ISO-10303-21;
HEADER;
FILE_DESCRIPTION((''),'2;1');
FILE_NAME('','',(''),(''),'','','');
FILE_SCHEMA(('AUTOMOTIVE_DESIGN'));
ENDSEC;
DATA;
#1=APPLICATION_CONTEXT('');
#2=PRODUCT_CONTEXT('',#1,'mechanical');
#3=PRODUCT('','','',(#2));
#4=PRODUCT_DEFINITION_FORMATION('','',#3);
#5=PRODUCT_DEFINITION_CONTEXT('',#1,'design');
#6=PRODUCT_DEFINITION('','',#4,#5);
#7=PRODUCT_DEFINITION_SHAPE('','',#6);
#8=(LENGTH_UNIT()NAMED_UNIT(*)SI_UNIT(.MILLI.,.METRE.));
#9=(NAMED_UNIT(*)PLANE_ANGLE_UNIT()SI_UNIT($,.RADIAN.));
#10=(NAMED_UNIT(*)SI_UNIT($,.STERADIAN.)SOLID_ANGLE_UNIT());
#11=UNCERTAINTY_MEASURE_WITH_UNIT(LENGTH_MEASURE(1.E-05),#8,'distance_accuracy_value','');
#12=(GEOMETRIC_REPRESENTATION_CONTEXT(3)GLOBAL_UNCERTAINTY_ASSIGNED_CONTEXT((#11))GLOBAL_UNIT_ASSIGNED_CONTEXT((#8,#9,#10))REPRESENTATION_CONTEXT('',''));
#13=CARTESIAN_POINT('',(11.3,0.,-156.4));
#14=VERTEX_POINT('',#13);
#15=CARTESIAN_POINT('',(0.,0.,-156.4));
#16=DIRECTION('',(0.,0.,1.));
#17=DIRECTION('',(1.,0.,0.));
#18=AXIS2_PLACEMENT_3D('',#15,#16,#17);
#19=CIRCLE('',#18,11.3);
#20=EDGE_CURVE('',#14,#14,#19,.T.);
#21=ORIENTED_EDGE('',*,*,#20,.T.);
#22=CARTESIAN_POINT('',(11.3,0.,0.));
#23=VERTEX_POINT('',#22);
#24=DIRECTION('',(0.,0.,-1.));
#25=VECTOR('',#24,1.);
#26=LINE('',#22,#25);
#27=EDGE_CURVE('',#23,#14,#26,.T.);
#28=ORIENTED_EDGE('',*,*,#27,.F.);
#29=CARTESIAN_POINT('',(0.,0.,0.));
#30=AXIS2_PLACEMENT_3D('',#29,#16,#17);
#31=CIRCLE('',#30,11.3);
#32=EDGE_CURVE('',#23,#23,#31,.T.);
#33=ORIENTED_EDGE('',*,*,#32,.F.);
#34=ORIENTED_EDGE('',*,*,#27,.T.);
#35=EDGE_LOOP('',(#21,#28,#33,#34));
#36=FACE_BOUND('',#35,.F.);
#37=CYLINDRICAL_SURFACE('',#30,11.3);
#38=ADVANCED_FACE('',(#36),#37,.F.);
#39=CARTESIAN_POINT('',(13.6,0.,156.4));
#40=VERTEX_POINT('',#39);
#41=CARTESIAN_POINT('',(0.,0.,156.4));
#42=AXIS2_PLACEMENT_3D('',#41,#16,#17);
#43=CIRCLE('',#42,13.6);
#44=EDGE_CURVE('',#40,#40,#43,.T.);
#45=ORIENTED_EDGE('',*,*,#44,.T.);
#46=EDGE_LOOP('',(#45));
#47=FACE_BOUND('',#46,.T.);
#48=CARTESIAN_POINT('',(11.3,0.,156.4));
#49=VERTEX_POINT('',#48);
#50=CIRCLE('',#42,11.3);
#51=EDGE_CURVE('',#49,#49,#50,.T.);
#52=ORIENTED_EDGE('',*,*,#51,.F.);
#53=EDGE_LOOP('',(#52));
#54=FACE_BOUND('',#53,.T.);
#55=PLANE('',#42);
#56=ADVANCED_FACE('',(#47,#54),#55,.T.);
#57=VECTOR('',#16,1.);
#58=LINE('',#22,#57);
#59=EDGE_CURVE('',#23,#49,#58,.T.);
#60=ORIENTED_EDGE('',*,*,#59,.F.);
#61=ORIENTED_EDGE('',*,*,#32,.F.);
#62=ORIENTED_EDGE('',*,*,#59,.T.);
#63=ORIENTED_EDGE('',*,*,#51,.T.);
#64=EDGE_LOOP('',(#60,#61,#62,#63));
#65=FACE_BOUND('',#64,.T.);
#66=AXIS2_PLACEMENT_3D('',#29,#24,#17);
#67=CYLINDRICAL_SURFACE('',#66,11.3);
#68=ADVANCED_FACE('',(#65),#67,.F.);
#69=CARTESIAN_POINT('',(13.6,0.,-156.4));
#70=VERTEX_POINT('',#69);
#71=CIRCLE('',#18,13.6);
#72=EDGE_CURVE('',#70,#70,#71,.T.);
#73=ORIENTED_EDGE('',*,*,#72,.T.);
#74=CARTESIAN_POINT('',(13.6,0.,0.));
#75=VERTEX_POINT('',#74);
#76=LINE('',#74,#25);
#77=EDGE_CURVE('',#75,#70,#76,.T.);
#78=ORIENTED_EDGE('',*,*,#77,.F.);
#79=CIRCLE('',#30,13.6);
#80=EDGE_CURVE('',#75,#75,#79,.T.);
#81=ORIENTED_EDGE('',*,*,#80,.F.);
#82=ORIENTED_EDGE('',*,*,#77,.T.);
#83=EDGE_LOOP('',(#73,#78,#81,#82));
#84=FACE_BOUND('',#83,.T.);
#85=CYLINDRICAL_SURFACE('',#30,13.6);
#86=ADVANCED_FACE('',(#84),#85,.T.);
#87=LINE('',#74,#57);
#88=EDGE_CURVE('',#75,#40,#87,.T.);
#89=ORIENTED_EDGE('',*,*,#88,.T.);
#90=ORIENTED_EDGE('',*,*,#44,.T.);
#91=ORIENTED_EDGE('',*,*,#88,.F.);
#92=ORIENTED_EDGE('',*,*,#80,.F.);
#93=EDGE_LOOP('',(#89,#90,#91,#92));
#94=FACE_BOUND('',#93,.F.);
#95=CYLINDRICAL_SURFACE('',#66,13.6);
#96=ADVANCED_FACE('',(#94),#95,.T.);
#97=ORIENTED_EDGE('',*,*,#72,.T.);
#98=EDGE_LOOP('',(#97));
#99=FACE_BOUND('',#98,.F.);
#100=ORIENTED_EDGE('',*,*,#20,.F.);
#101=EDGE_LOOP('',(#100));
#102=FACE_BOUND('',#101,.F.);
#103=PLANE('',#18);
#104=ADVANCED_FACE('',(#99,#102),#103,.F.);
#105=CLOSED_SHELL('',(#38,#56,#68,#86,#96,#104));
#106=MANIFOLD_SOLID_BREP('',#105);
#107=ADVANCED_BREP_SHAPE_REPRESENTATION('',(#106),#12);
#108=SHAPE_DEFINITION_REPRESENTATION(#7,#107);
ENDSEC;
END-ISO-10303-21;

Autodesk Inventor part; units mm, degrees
ref_plane "XY Plane" through (0, 0, 0) normal (0, 0, 1) x (1, 0, 0)
sketch "スケッチ1" plane through (0, 0, 0) normal (0, 0, 1) x (1, 0, 0)
  circle A0 centre (0, 0) radius 13.6
  circle A1 centre (0, 0) radius 11.3
  dimension "d0" = 27.2
  dimension "d1" = 2.3
extrude "押し出し1" add sketch "スケッチ1" along normal mid plane 312.8
ref_plane "作業平面1" through (13.6, 0, 0) normal (1, 0, 0) x (0, 1, 0)
ref_plane "作業平面2" through (-13.6, 0, 0) normal (-1, 0, 0) x (0, -1, 0)
ref_plane "作業平面3" through (0, 13.6, 0) normal (0, 1, 0) x (-1, 0, 0)
ref_plane "作業平面4" through (0, -13.6, 0) normal (0, -1, 0) x (1, 0, 0)
sketch "スケッチ2" plane through (0, 0, 0) normal (1, 0, 0) x (0, 1, 0)
  line L0 (-13.6, -156.4) -> (13.6, -156.4) projected
  line L1 (13.6, 156.4) -> (-13.6, 156.4) projected
  point P0 (0, 0)
  dimension "d4" = 312.8
properties part number "Pipe5" material "鋼、炭素鋼"
